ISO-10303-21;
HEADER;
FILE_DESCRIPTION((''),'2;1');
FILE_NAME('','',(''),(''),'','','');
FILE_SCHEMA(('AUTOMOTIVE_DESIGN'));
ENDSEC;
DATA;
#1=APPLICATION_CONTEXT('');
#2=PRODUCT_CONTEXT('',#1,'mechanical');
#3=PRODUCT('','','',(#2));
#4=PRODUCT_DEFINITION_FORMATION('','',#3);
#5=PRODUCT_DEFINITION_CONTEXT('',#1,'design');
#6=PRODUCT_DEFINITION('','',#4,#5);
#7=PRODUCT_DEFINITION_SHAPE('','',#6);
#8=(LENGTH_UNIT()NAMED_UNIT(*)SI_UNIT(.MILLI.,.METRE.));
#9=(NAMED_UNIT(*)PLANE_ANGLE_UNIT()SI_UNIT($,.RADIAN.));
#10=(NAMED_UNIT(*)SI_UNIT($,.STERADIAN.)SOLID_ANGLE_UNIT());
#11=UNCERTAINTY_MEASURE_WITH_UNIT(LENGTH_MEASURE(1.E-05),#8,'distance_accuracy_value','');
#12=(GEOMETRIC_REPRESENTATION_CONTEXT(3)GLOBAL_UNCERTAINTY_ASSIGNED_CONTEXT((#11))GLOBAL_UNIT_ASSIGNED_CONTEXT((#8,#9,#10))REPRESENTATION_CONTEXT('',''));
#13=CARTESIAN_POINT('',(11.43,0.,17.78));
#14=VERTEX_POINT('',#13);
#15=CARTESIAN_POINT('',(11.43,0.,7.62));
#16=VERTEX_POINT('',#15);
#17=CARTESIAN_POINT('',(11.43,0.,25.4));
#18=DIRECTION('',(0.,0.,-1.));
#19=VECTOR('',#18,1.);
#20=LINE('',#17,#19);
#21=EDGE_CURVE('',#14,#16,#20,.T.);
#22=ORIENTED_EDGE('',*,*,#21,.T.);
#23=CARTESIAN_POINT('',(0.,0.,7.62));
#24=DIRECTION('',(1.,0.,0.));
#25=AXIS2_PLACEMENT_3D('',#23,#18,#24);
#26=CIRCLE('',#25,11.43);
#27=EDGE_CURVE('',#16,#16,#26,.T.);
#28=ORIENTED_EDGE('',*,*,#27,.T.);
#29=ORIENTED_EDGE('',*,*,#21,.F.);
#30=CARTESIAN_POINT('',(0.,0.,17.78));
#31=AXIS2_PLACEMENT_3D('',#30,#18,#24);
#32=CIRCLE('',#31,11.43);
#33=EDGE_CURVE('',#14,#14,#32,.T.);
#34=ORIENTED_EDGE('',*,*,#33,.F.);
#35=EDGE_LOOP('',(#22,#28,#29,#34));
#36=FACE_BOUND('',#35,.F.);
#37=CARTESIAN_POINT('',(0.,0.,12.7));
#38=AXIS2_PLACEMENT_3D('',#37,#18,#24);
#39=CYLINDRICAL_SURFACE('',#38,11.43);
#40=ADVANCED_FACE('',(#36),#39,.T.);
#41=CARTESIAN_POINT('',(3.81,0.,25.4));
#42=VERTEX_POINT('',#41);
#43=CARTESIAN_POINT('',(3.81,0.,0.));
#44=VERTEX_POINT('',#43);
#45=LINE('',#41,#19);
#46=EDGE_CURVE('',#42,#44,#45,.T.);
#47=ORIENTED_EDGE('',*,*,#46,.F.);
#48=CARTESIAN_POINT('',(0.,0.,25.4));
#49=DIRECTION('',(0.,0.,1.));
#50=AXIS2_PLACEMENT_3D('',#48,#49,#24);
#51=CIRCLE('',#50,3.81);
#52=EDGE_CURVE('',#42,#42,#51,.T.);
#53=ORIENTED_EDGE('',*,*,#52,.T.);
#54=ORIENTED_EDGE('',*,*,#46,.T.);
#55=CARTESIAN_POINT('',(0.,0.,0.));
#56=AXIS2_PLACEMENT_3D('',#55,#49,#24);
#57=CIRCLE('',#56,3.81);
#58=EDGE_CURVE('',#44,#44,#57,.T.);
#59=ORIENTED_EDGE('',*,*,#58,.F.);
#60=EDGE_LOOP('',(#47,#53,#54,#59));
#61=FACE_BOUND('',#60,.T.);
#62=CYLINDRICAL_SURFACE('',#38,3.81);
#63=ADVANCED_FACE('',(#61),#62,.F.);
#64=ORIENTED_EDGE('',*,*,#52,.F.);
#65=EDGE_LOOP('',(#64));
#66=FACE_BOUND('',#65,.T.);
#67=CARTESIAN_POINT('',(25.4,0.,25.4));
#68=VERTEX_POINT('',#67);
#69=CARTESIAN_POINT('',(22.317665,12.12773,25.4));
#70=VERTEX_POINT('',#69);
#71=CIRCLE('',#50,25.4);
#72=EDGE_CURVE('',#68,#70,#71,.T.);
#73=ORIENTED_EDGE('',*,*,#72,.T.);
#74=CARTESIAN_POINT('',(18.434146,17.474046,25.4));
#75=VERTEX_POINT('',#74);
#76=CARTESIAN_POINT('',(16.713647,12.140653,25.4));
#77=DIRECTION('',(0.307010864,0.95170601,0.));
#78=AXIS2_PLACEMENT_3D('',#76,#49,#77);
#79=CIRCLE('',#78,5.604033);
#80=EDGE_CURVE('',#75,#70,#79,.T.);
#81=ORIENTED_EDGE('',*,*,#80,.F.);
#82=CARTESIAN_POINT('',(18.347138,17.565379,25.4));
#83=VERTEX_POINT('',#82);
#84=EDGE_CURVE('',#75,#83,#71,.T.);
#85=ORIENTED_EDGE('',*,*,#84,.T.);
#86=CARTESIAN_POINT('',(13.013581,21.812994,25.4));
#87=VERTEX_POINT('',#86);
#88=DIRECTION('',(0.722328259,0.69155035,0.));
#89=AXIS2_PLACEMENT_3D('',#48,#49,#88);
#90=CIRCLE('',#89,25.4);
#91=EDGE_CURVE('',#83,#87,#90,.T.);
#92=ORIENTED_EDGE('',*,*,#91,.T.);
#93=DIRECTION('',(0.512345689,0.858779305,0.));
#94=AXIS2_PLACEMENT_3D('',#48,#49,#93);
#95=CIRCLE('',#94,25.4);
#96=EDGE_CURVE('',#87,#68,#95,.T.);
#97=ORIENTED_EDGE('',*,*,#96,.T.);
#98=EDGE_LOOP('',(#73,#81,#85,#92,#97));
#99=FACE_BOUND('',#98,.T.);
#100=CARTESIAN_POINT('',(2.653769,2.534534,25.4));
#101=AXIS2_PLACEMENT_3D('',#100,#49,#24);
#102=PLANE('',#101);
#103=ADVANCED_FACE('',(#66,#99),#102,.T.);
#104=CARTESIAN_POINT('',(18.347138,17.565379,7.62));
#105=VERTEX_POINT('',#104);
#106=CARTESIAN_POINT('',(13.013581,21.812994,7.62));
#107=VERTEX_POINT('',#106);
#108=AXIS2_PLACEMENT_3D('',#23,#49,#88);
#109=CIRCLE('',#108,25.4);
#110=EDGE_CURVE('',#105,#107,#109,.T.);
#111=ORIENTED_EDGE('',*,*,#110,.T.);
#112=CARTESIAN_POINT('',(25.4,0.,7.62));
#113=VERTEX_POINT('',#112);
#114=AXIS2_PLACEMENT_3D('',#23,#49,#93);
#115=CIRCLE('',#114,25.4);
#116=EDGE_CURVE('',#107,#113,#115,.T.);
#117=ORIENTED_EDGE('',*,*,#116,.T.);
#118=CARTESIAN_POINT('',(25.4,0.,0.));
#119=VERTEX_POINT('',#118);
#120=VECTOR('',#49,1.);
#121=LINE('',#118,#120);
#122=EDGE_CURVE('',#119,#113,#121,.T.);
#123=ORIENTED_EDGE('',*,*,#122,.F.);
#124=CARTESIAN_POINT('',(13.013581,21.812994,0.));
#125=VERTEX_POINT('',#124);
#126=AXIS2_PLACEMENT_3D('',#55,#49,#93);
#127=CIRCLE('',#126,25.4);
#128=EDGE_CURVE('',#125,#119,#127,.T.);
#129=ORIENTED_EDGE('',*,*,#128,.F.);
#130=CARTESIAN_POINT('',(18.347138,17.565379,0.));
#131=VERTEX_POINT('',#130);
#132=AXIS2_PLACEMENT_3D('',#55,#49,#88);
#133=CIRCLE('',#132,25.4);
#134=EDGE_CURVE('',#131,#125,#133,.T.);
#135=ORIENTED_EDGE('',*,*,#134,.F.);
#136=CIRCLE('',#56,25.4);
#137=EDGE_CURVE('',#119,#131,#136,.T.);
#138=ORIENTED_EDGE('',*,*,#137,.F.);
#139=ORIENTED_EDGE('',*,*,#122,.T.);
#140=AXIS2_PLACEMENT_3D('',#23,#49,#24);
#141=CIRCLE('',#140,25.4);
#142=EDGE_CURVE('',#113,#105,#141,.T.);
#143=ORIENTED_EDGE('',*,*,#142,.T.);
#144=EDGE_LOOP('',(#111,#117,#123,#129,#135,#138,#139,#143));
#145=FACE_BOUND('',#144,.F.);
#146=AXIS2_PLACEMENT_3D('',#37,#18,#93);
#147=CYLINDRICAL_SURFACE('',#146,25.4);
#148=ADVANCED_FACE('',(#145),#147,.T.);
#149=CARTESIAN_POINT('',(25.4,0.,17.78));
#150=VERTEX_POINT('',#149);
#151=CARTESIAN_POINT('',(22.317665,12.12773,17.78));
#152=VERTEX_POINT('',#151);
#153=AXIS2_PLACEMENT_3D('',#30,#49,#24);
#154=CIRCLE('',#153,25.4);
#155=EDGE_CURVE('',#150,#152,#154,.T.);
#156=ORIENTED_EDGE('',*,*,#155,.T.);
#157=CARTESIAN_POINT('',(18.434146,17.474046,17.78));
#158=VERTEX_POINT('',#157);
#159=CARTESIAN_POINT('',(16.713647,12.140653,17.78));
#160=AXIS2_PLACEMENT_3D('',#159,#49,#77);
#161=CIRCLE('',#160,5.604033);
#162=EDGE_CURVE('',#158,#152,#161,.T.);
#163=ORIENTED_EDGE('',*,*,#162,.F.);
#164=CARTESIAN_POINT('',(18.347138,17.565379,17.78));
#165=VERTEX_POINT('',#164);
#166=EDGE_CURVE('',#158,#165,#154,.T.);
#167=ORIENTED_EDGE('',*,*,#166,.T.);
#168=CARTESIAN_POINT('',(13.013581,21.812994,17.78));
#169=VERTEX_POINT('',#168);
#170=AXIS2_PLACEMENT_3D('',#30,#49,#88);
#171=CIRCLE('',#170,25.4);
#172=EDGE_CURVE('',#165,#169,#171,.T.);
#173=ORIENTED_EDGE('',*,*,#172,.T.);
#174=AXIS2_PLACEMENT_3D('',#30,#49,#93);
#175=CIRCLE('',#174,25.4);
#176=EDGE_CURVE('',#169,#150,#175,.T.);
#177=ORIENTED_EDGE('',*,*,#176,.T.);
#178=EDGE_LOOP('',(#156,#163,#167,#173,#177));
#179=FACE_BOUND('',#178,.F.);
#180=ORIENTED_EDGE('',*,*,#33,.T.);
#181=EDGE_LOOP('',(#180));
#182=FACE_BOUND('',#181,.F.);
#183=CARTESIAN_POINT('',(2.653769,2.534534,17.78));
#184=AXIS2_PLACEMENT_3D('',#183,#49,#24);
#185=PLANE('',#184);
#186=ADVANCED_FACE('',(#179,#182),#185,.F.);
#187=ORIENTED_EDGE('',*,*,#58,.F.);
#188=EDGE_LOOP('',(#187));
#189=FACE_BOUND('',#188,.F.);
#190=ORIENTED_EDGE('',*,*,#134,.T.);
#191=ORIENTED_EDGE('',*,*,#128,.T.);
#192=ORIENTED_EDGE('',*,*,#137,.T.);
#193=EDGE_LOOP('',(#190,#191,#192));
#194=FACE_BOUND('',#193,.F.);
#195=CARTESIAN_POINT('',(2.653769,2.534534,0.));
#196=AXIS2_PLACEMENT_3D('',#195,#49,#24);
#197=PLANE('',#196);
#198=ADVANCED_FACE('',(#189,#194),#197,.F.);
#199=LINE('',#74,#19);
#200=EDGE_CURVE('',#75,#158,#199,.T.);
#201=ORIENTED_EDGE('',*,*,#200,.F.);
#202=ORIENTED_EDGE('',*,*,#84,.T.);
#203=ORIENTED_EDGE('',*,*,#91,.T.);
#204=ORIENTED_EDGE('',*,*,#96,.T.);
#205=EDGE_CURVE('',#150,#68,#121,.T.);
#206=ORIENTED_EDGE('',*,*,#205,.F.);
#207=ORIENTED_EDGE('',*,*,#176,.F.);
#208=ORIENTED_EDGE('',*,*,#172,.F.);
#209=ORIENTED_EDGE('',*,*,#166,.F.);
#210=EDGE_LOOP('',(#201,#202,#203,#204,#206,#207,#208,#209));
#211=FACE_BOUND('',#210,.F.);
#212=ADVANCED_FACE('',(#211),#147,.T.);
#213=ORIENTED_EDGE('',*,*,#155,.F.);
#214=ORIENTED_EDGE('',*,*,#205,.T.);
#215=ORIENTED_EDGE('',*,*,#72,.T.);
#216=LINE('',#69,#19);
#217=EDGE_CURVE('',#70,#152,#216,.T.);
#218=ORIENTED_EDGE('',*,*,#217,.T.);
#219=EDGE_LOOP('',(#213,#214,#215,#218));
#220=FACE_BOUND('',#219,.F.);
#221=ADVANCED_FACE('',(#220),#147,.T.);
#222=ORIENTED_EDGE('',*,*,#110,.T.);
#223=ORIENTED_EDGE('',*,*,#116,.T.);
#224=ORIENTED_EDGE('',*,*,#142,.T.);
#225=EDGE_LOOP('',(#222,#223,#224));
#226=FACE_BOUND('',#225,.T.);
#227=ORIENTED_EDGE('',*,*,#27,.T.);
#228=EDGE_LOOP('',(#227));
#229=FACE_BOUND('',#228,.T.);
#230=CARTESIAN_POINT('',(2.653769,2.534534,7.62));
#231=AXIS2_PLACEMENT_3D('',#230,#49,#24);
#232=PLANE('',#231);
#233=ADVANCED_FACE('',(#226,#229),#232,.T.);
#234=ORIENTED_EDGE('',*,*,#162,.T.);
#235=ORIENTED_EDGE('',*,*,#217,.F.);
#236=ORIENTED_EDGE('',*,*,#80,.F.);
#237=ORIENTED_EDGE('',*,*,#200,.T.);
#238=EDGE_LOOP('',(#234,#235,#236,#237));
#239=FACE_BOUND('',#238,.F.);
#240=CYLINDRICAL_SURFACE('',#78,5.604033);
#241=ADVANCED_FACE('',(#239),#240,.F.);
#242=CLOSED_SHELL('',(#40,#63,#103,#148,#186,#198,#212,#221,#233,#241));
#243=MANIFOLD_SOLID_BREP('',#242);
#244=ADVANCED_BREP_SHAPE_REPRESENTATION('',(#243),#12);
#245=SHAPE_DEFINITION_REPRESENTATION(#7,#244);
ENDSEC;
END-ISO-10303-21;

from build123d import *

# Parameters (mm, degrees)
F0_R     = 3.81
F1_DEPTH = 12.7
F2_DEPTH = 12.7
F3_T     = -7.62
F5_DEPTH = 10.16


with BuildPart() as f1:
    # F0 (on Top) → F1 (new body)
    with BuildSketch(Plane.XY):
        with BuildLine():
            ThreePointArc((13.0135805012, 21.8129943506), (-22.0873826509, -12.5422297712), (25.4, 0))
            ThreePointArc((25.4, 0), (23.5709280626, 9.4642141917), (18.3471377744, 17.5653788883))
            ThreePointArc((18.3471377744, 17.5653788883), (7.7542007796, 9.7366332552), (13.0135805012, 21.8129943506))
        make_face()
        Circle(F0_R, mode=Mode.SUBTRACT)
        with BuildLine():
            ThreePointArc((13.0135805012, 21.8129943506), (7.7542007796, 9.7366332552), (18.3471377744, 17.5653788883))
            ThreePointArc((18.3471377744, 17.5653788883), (15.8235338016, 19.8689651978), (13.0135805012, 21.8129943506))
        make_face()
    extrude(amount=F1_DEPTH)

    # F2 (add): a face of the model
    f2_faces = [f1.faces().sort_by_distance(p)[0] for p in [
        (-24.6815795103, 0, 12.7),
    ]]
    extrude(f2_faces, amount=F2_DEPTH)

    # F3
    f3_openings = [f1.faces().sort_by_distance(p)[0] for p in [
        (-25.4, 0, 12.7),
    ]]
    offset(amount=F3_T, openings=f3_openings)

    # F4 (on face) → F5 (cut)
    with BuildSketch(Plane.XY.offset(25.4)):
        with BuildLine():
            ThreePointArc((22.3176650745, 12.1277296154), (20.5505059881, 14.927715955), (18.434145823, 17.4740455469))
            ThreePointArc((18.434145823, 17.4740455469), (12.1795633167, 8.8471330951), (22.3176650745, 12.1277296154))
        make_face()
    extrude(amount=-F5_DEPTH, mode=Mode.SUBTRACT)


solid = f1.part
